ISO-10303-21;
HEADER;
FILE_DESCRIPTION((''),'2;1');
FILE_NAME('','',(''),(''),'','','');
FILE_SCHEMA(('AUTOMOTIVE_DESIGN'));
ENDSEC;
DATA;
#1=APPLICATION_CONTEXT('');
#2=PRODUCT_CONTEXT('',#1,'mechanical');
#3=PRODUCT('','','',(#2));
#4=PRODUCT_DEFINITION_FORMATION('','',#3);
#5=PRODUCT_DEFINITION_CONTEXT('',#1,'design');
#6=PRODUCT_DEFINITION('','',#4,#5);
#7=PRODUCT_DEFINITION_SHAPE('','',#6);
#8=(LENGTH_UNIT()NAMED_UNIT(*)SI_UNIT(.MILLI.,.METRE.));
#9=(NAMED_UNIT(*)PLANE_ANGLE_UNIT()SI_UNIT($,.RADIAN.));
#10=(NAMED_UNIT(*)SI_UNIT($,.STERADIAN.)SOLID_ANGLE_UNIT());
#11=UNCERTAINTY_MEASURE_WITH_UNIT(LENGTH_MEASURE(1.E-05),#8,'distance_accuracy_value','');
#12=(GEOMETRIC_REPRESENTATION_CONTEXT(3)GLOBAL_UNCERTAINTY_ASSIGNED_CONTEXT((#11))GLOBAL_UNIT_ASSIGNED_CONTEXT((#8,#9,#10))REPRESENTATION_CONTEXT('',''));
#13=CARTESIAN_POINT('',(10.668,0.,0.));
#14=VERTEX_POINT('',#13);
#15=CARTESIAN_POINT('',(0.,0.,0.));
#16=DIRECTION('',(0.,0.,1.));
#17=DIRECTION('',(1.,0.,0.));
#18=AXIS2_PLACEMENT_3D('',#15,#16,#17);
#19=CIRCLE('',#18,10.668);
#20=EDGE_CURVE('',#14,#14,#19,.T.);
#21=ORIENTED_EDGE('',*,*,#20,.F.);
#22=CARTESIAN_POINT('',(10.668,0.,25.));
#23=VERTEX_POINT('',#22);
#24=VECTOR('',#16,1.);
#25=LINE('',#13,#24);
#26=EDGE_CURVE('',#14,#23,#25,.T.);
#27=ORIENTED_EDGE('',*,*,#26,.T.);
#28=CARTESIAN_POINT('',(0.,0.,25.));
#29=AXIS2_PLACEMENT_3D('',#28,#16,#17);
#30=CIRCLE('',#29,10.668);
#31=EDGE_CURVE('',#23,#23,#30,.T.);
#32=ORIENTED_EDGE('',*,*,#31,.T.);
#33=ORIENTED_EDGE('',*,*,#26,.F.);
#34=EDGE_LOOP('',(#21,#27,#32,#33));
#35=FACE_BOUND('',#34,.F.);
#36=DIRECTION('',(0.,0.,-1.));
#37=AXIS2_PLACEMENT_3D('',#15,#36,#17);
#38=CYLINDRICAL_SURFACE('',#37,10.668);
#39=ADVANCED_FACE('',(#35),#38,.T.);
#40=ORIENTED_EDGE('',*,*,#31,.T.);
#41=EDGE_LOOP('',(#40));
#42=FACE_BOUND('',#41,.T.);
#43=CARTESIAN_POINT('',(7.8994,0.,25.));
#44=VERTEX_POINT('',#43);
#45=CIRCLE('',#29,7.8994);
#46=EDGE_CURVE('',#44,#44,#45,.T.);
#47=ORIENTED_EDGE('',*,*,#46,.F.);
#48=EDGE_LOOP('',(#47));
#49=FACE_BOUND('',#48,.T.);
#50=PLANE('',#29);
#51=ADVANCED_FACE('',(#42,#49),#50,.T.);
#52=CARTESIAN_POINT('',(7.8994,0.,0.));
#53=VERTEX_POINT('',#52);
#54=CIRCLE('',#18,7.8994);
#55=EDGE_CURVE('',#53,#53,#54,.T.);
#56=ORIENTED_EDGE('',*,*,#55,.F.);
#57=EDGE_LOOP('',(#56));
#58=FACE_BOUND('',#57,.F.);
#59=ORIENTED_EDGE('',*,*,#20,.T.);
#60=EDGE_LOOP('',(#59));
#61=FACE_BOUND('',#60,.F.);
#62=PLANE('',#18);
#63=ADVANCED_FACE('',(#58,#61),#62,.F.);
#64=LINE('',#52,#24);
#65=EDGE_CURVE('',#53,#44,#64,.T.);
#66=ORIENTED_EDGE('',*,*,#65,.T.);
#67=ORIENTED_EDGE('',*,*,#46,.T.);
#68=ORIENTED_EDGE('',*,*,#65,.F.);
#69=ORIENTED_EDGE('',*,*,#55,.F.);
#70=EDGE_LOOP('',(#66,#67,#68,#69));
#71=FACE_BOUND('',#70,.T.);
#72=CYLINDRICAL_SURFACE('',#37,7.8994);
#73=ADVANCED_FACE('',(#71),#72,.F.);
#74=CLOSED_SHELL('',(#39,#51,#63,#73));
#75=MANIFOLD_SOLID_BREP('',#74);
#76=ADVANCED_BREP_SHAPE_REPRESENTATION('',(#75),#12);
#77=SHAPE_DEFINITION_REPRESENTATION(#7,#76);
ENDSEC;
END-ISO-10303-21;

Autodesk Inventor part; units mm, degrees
ref_plane "YZ Plane" through (0, 0, 0) normal (1, 0, 0) x (0, 1, 0)
ref_plane "Start Plane" through (0, 0, 0) normal (0, 0, 1) x (1, 0, 0)
ref_plane "End Plane" through (0, 0, 25) normal (0, 0, 1) x (1, 0, 0)
sketch "Sketch" plane through (0, 0, 0) normal (0, 0, 1) x (1, 0, 0)
  circle A0 centre (0, 0) radius 7.8994
  circle A1 centre (0, 0) radius 10.668
  dimension "d0" = 21.336
  dimension "d1" = 2.7686
extrude "Body" add sketch "Sketch" along normal up to surface (25 mm away) from surface at 0
sketch "Sketch3" plane through (0, 0, 0) normal (0, 0, 1) x (1, 0, 0)
  line L0 (0, 0) -> (10, 0)
ref_plane "Work Plane3" through (0, 0, 0) normal (0, -1, 0) x (1, 0, 0)
sketch "Sketch4" plane through (0, 0, 0) normal (0, -1, 0) x (1, 0, 0)
  line L0 (-2, 0) -> (12, 0) projected
  line L1 (-2, 25) -> (12, 25) projected
  dimension "d7" = 25
equation "\"d0\" = G_H"
equation "\"d1\" = G_T"
equation "\"d2\" = G_L"
equation "\"G_H\" = 21.336"
equation "\"G_T\" = 2.7686"
equation "\"G_L\" = d7"
equation "\"G_OFFSET_START\" = 0"
equation "\"G_OFFSET_END\" = 0"
equation "\"d5\" = G_OFFSET_END + B_L"
equation "\"B_L\" = 25"
properties part number "ANSI - 1/2 x 0.109 - 0.984" material "Steel, Mild"
